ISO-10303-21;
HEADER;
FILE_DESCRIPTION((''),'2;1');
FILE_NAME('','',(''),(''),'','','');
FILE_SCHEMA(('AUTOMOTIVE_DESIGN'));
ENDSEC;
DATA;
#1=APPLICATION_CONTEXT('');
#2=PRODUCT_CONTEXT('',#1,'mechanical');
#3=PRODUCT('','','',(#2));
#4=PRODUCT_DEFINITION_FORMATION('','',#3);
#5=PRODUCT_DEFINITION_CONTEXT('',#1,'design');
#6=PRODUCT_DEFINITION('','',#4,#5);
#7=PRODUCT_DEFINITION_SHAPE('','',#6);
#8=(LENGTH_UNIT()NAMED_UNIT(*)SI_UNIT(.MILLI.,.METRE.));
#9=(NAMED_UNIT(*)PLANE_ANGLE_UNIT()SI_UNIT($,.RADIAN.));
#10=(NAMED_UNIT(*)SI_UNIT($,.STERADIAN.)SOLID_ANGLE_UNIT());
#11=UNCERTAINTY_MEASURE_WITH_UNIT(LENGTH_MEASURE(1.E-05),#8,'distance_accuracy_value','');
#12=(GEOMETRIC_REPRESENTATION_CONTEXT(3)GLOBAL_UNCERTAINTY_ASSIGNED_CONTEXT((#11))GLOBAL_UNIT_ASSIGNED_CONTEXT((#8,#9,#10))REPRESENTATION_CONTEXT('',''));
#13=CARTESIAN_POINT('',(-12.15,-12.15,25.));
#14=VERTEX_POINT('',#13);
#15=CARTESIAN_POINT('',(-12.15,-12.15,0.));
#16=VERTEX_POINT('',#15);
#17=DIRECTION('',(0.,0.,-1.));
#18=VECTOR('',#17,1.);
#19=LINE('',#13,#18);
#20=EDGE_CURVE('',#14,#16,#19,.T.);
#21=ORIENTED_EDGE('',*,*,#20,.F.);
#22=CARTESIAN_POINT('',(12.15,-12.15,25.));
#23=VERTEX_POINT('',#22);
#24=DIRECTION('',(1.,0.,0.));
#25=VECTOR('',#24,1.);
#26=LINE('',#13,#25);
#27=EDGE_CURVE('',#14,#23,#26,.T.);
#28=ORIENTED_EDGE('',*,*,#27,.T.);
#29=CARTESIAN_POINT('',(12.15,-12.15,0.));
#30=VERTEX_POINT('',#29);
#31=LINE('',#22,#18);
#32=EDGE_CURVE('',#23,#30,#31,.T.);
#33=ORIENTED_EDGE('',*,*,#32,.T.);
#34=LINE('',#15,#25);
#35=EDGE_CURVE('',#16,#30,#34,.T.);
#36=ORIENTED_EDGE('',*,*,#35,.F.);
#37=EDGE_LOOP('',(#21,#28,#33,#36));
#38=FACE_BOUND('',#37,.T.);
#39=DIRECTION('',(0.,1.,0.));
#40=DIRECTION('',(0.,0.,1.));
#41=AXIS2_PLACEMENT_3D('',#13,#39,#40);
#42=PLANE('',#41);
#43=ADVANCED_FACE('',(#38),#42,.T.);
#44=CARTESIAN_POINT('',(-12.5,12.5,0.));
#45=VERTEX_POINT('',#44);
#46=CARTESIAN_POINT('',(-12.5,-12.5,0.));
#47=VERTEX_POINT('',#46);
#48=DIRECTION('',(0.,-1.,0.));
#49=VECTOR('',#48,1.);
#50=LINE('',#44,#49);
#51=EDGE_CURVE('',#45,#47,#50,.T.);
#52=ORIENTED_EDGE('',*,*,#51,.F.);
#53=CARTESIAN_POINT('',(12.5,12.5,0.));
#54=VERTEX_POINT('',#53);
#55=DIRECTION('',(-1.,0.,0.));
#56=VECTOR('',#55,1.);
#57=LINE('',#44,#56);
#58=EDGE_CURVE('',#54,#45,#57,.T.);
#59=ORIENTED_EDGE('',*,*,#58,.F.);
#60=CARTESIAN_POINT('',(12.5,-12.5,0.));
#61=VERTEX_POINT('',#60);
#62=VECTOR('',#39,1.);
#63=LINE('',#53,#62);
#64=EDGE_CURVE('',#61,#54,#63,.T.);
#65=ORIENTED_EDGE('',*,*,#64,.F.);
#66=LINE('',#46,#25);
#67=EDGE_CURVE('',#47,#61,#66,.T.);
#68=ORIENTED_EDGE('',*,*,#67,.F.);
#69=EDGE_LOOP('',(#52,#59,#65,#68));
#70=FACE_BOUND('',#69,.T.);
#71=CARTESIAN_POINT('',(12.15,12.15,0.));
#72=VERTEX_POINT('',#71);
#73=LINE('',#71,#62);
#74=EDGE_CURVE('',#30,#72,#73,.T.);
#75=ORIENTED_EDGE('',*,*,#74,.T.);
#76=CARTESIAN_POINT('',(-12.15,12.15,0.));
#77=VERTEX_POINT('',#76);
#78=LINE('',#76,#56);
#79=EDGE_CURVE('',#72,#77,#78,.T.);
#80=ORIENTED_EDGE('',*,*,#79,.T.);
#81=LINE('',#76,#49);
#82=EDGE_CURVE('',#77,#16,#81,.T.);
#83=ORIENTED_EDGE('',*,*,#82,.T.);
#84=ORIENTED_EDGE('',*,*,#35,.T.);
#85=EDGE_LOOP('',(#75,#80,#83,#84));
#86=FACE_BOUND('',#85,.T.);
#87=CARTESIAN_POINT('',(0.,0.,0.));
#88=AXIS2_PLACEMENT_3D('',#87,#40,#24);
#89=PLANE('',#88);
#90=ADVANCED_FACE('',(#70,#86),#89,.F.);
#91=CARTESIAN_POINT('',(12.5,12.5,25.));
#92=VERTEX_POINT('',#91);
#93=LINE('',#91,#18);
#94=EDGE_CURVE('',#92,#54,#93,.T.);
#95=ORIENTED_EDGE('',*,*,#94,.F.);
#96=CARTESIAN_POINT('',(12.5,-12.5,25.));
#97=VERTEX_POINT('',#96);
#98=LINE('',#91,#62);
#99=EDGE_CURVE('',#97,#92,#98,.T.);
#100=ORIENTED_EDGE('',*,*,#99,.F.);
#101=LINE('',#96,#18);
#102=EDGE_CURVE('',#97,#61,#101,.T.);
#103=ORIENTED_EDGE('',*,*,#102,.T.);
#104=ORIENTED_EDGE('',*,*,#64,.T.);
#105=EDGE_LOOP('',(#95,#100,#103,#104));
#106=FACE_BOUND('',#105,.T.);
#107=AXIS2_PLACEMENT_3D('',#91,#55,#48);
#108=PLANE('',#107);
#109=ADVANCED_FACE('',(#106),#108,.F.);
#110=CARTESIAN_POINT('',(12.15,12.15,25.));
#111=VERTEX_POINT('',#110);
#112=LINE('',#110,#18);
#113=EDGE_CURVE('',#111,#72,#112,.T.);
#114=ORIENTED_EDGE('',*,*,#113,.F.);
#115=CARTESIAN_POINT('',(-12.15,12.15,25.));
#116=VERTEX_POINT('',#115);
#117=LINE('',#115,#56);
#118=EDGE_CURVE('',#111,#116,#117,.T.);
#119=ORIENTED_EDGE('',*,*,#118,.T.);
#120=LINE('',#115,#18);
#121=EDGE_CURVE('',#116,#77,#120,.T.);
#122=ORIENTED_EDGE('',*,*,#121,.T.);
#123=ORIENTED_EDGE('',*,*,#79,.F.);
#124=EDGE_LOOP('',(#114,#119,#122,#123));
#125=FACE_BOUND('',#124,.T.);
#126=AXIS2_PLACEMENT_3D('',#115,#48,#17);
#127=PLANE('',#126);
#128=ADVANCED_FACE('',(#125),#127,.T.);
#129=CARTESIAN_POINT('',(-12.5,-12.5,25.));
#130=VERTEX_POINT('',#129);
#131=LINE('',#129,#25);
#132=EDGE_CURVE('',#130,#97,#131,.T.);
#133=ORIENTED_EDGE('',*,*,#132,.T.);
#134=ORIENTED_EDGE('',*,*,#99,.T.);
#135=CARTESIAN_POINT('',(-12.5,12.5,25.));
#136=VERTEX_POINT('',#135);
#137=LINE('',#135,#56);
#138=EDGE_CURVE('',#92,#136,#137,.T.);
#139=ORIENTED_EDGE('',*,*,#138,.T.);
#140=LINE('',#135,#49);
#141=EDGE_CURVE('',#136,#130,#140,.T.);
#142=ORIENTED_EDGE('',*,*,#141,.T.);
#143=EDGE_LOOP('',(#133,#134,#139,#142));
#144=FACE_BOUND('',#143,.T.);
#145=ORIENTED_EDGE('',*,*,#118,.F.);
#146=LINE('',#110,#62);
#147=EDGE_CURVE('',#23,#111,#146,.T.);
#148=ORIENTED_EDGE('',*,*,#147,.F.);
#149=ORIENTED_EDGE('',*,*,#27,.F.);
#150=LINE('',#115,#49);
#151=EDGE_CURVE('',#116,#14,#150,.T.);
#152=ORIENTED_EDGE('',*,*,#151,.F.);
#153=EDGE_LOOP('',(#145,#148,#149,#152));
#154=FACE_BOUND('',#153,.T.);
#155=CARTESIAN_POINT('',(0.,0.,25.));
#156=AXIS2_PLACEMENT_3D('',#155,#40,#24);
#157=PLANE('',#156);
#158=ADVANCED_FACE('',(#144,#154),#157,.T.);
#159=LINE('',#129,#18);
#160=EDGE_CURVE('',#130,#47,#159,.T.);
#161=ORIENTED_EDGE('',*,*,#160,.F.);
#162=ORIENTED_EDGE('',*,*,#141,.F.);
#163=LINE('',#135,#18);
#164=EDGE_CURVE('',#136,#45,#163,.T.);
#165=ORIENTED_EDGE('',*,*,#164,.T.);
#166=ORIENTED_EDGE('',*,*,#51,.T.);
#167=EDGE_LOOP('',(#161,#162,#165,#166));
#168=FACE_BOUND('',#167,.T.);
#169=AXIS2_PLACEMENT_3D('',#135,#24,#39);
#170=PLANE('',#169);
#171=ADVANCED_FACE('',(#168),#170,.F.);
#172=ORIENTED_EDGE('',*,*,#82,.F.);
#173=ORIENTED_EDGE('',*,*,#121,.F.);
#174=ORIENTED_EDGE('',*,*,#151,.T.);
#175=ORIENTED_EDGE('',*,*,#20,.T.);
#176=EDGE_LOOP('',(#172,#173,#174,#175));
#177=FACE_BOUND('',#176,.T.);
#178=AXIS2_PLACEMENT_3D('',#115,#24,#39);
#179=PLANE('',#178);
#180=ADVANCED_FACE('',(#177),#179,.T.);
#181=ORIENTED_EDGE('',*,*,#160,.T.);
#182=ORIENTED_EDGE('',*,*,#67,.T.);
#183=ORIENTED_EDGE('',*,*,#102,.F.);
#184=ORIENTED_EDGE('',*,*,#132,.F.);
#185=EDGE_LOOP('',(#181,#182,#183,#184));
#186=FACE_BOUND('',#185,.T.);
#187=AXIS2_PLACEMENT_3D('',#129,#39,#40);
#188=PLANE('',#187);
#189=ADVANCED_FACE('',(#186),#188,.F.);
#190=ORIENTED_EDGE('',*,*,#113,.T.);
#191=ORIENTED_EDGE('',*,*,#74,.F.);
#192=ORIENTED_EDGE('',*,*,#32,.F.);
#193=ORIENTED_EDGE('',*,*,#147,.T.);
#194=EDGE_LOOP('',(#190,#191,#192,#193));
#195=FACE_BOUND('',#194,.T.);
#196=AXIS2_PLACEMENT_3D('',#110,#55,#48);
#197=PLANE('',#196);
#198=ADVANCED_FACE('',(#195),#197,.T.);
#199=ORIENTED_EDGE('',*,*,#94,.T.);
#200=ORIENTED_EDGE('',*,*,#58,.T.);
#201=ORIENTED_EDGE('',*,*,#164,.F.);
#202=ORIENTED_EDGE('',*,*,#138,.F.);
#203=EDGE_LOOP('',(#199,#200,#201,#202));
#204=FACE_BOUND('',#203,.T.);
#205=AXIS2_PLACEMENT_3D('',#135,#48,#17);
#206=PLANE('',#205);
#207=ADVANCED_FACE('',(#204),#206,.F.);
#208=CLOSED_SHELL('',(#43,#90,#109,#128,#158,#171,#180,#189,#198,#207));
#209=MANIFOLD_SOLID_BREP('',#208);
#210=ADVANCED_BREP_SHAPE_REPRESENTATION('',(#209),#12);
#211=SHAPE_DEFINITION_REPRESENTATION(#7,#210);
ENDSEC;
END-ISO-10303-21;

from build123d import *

# Parameters (mm, degrees)
SKETCH1_W           = 25
SKETCH1_H           = 25
SKETCH1_W_2         = 24.3
SKETCH1_H_2         = 24.3
BOSS_EXTRUDE1_DEPTH = 25


with BuildPart() as part:
    # Sketch1 → Boss-Extrude1 (new body)
    with BuildSketch(Plane.XY):
        Rectangle(SKETCH1_W, SKETCH1_H)
        Rectangle(SKETCH1_W_2, SKETCH1_H_2, mode=Mode.SUBTRACT)
    extrude(amount=BOSS_EXTRUDE1_DEPTH)


solid = part.part
